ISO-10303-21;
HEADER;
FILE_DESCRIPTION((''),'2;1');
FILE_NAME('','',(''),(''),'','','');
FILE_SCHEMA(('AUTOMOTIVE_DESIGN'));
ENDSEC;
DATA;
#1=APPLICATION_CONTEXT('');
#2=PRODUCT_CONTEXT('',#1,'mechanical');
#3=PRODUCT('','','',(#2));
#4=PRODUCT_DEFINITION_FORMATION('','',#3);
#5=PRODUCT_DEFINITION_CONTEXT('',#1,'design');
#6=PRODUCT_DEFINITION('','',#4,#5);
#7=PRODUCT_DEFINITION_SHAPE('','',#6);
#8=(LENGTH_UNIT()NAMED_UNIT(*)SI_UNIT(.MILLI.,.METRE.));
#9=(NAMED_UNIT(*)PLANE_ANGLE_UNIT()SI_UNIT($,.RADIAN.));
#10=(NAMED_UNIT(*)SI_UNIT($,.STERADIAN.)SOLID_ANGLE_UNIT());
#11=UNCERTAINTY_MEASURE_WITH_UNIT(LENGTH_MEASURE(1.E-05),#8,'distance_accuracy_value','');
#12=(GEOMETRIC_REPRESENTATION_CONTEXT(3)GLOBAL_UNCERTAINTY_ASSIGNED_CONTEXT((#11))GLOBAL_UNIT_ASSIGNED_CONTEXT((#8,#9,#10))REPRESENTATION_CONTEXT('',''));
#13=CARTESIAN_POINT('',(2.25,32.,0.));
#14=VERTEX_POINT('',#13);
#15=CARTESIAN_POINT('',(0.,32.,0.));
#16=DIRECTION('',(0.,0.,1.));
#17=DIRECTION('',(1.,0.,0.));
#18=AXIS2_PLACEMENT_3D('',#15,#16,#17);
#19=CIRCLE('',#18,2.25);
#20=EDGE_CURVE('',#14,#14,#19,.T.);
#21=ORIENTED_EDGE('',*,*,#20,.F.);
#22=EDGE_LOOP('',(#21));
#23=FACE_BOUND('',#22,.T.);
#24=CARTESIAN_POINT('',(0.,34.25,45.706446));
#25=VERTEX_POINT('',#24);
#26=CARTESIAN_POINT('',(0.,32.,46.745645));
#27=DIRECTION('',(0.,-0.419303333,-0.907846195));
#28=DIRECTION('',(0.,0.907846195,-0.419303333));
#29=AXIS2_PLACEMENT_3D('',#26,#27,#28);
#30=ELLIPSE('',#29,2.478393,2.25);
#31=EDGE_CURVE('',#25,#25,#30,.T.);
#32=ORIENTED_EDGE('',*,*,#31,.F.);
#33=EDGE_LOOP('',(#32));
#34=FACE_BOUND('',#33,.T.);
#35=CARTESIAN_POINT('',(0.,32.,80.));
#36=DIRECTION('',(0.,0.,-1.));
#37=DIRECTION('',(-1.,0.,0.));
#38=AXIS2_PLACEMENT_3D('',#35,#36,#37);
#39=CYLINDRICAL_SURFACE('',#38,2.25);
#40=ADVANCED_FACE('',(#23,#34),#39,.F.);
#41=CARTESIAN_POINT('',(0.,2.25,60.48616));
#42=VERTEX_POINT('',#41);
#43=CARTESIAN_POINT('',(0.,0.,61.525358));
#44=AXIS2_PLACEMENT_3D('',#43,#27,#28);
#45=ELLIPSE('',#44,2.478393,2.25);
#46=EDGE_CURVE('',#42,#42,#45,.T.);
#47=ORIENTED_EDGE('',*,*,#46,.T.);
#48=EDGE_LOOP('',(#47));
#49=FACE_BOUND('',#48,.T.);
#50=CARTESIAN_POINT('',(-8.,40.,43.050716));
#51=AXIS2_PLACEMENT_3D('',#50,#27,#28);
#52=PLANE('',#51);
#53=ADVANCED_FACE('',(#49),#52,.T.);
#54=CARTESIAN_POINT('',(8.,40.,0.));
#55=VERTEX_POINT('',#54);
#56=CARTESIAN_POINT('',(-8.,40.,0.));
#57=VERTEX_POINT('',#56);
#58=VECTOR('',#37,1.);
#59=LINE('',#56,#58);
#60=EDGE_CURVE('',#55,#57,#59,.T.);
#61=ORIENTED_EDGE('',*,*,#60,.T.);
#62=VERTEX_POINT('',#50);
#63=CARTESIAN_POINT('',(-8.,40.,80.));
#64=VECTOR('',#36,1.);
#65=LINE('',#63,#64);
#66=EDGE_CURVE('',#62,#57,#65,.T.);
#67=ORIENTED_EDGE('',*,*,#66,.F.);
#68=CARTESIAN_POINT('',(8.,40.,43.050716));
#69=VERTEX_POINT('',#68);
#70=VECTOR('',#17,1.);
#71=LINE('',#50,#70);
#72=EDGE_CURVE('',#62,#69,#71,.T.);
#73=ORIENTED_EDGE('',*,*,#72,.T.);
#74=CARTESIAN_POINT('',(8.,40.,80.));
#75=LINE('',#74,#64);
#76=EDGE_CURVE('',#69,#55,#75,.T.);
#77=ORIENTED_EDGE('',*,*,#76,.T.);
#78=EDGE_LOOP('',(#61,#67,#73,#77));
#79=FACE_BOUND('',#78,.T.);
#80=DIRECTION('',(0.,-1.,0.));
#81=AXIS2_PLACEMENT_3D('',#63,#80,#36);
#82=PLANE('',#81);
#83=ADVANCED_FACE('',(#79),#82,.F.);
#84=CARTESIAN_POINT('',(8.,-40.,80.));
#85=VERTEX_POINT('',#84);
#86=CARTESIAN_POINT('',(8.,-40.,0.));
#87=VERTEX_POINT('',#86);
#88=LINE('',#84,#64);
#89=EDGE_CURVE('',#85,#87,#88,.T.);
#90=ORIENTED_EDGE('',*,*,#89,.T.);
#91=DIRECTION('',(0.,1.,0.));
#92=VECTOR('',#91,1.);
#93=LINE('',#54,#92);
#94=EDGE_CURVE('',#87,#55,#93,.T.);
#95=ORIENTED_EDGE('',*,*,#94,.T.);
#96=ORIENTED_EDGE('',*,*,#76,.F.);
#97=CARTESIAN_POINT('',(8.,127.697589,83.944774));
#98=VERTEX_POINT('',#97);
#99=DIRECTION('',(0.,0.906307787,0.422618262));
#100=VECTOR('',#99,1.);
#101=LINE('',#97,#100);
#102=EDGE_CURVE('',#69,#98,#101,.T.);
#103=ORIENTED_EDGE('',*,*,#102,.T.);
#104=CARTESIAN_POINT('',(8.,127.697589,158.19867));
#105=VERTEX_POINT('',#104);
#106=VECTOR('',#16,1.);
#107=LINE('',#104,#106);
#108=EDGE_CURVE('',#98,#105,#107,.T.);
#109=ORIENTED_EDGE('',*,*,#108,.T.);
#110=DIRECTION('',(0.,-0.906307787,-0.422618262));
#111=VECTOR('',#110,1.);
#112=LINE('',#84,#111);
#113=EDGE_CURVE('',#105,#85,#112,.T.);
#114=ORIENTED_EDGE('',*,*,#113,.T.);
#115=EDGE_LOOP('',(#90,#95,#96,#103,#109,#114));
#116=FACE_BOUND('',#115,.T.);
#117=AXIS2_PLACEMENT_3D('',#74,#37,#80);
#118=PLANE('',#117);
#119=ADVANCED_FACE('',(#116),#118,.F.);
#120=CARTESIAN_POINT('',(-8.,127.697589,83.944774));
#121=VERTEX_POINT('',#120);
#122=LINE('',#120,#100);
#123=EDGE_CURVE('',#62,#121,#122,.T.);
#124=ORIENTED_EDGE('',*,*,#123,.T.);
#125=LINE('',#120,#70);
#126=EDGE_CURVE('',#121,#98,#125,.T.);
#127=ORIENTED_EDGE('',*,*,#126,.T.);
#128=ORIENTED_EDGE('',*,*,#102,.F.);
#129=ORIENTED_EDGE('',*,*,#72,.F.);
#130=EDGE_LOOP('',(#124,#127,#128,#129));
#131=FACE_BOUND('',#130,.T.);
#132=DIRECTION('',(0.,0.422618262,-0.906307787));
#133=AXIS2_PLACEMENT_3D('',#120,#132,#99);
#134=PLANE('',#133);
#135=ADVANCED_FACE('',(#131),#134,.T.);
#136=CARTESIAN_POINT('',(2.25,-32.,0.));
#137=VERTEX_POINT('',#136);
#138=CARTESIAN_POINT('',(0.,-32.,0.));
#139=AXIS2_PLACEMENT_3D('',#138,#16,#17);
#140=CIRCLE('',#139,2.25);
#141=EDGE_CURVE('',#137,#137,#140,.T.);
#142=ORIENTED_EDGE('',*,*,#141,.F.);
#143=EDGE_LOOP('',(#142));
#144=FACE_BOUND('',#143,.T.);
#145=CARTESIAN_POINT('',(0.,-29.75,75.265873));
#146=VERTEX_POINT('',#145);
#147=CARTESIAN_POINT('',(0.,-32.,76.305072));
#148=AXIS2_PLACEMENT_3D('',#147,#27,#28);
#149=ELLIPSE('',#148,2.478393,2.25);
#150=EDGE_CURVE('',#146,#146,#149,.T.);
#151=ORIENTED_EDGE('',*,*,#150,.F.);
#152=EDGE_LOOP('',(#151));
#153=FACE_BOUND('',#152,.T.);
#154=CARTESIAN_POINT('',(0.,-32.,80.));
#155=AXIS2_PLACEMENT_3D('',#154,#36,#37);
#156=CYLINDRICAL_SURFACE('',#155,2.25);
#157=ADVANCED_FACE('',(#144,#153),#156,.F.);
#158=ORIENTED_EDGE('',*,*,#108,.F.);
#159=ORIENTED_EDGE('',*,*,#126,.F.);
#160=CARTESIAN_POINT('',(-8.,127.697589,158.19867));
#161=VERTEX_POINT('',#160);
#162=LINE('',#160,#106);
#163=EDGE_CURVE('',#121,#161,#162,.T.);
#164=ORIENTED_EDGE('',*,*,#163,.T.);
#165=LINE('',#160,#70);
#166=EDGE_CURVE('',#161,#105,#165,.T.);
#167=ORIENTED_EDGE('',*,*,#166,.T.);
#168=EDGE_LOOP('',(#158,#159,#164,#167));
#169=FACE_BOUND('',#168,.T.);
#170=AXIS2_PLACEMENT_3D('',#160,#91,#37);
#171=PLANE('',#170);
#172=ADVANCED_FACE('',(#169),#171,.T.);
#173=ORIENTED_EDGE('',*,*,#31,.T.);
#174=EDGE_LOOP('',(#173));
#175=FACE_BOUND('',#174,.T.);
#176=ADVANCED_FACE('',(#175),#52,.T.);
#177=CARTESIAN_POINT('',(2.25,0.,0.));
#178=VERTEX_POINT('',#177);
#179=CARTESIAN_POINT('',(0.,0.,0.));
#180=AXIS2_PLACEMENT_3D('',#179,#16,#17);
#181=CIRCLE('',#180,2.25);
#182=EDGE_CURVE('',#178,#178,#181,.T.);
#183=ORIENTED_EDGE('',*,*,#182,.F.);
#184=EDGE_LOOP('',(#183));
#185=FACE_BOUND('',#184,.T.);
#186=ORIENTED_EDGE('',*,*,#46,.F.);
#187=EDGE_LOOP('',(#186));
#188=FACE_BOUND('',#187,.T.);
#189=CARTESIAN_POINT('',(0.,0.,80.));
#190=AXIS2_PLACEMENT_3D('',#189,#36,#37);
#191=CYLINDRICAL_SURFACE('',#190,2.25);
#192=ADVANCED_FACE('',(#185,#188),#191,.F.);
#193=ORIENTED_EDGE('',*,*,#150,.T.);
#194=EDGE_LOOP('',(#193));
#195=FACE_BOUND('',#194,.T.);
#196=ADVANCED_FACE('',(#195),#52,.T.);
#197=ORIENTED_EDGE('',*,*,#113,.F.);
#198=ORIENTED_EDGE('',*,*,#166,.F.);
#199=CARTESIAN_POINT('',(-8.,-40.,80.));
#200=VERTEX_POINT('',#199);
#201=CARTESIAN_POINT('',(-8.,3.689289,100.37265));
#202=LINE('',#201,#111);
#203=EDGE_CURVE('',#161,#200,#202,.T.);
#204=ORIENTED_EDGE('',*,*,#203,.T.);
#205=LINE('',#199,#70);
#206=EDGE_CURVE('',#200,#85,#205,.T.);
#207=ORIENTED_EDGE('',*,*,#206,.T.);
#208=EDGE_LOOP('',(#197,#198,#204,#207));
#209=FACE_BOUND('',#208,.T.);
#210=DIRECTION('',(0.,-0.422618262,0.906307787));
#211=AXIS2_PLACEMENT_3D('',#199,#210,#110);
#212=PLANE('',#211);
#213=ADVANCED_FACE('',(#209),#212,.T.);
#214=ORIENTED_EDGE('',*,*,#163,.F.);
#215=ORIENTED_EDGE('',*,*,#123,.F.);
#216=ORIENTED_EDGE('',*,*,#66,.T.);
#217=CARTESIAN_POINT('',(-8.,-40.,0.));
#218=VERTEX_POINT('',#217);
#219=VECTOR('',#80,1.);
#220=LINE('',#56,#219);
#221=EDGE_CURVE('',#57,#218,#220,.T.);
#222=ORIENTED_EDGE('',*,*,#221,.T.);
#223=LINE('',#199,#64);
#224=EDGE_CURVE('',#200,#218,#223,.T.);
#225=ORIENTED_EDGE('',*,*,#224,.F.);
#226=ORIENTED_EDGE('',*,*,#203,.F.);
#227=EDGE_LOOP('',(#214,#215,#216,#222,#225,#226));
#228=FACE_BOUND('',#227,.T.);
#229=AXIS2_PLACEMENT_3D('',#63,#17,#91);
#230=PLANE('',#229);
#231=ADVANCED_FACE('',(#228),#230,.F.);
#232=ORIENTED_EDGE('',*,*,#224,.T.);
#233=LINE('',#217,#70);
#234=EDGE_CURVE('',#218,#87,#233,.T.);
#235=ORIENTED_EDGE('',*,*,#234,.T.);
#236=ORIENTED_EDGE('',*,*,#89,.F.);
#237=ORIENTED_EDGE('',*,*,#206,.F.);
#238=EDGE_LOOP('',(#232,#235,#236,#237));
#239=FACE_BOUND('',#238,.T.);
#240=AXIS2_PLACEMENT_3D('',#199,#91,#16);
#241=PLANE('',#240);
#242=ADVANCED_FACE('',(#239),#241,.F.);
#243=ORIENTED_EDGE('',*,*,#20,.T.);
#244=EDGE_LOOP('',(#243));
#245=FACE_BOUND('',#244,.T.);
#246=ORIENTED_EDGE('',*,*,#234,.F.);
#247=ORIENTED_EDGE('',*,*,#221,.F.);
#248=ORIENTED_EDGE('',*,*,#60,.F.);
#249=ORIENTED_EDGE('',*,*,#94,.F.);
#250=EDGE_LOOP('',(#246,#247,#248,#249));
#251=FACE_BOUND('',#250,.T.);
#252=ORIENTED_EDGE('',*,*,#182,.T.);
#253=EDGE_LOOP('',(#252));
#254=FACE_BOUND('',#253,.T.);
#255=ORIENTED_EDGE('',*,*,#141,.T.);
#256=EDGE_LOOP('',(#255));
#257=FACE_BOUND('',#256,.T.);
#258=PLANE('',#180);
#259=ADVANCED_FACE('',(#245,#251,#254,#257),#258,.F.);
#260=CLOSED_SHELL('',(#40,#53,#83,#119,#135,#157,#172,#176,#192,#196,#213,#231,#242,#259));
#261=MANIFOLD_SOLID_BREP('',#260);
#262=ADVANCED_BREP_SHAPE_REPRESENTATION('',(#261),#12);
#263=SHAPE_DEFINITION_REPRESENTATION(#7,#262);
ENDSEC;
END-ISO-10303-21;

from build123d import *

# Parameters (mm, degrees)
SKETCH_1_W      = 16
SKETCH_1_H      = 80
SKETCH_1_R      = 2.25
EXTRUDE_1_DEPTH = 80
EXTRUDE_2_DEPTH = 16


with BuildPart() as part:
    # 草图1 → 凸台-拉伸1 (new body)
    with BuildSketch(Plane.XY):
        Rectangle(SKETCH_1_W, SKETCH_1_H)
        with Locations((0, 32)):
            Circle(SKETCH_1_R, mode=Mode.SUBTRACT)
        Circle(SKETCH_1_R, mode=Mode.SUBTRACT)
        with Locations((0, -32)):
            Circle(SKETCH_1_R, mode=Mode.SUBTRACT)
    extrude(amount=EXTRUDE_1_DEPTH)

    # 草图2 → 凸台-拉伸2 (add)
    with BuildSketch(Plane(origin=(8, 0, 0), x_dir=(0, 0, -1), z_dir=(1, 0, 0))):
        Polygon((-80, -40), (-100.37264984, 3.68928857), (-158.198670132, 127.697589274), (-83.944773743, 127.697589274), (-43.050716263, 40), align=None)
    extrude(amount=-EXTRUDE_2_DEPTH)


solid = part.part
